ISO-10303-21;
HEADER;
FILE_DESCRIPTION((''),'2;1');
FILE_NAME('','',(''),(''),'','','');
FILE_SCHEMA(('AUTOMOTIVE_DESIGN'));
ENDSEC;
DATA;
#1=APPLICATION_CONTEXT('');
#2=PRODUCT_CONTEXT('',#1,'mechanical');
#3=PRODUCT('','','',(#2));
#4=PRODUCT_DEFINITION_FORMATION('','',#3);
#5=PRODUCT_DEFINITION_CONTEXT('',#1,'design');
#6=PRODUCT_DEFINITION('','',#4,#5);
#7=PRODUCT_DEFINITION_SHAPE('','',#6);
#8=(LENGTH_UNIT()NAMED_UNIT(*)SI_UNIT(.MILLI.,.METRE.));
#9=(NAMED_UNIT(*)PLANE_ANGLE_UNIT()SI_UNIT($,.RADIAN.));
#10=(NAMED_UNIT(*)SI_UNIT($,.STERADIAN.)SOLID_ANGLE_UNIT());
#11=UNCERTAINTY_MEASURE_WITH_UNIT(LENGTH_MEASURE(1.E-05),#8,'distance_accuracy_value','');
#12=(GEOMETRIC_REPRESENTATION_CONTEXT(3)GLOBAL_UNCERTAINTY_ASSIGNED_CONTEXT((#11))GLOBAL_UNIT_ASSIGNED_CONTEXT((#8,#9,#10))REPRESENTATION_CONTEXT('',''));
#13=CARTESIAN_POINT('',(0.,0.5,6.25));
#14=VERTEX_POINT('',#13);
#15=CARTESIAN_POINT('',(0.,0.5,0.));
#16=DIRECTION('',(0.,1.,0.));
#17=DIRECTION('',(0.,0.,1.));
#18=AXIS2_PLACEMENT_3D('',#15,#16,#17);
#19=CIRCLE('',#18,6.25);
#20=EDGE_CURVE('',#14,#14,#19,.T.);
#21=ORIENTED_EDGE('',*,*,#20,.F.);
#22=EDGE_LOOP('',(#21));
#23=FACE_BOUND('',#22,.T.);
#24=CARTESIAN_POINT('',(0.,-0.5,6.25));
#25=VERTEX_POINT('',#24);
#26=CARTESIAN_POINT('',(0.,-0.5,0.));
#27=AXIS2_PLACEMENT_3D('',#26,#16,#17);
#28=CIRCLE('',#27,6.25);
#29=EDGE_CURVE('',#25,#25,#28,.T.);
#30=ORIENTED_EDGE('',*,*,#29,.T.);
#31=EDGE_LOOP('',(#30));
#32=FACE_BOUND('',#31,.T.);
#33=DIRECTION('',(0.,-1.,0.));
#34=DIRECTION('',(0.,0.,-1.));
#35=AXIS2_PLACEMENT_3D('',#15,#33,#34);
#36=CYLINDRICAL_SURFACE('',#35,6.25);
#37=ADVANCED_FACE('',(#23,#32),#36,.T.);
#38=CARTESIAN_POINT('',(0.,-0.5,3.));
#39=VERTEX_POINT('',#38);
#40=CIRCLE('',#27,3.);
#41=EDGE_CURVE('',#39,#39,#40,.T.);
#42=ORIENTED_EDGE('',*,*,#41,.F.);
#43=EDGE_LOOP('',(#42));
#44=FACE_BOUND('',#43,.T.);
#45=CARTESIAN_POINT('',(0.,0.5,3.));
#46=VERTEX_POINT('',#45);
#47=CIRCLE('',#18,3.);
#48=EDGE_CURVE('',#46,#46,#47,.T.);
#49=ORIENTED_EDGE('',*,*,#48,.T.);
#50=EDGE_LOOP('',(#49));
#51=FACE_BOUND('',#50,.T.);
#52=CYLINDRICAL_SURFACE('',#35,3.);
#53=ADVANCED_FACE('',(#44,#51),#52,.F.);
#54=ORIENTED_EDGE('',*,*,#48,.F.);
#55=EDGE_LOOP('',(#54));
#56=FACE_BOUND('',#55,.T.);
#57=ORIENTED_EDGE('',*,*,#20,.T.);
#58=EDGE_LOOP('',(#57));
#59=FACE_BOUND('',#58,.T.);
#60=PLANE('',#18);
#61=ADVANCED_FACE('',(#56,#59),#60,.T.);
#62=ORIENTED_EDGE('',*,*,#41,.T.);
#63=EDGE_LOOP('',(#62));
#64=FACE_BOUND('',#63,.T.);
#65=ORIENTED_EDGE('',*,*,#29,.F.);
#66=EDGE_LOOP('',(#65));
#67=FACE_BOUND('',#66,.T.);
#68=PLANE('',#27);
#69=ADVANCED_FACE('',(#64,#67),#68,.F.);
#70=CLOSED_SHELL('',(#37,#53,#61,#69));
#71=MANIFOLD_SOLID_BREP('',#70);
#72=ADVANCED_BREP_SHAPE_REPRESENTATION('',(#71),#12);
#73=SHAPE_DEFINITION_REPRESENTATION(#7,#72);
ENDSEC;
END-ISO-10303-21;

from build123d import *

# Parameters (mm, degrees)
SKETCH1_R          = 6.25
SKETCH1_R_2        = 3
BASE_EXTRUDE_DEPTH = 0.5


with BuildPart() as part:
    # Sketch1 → Base-Extrude (new, symmetric)
    with BuildSketch(Plane(origin=(0, 0, 0), x_dir=(1, 0, 0), z_dir=(0, 1, 0))):
        with Locations(Location((0, 0, 0), (0, 0, 270))):
            Circle(SKETCH1_R)
        with Locations(Location((0, 0, 0), (0, 0, 270))):
            Circle(SKETCH1_R_2, mode=Mode.SUBTRACT)
    extrude(amount=BASE_EXTRUDE_DEPTH, both=True)


solid = part.part
